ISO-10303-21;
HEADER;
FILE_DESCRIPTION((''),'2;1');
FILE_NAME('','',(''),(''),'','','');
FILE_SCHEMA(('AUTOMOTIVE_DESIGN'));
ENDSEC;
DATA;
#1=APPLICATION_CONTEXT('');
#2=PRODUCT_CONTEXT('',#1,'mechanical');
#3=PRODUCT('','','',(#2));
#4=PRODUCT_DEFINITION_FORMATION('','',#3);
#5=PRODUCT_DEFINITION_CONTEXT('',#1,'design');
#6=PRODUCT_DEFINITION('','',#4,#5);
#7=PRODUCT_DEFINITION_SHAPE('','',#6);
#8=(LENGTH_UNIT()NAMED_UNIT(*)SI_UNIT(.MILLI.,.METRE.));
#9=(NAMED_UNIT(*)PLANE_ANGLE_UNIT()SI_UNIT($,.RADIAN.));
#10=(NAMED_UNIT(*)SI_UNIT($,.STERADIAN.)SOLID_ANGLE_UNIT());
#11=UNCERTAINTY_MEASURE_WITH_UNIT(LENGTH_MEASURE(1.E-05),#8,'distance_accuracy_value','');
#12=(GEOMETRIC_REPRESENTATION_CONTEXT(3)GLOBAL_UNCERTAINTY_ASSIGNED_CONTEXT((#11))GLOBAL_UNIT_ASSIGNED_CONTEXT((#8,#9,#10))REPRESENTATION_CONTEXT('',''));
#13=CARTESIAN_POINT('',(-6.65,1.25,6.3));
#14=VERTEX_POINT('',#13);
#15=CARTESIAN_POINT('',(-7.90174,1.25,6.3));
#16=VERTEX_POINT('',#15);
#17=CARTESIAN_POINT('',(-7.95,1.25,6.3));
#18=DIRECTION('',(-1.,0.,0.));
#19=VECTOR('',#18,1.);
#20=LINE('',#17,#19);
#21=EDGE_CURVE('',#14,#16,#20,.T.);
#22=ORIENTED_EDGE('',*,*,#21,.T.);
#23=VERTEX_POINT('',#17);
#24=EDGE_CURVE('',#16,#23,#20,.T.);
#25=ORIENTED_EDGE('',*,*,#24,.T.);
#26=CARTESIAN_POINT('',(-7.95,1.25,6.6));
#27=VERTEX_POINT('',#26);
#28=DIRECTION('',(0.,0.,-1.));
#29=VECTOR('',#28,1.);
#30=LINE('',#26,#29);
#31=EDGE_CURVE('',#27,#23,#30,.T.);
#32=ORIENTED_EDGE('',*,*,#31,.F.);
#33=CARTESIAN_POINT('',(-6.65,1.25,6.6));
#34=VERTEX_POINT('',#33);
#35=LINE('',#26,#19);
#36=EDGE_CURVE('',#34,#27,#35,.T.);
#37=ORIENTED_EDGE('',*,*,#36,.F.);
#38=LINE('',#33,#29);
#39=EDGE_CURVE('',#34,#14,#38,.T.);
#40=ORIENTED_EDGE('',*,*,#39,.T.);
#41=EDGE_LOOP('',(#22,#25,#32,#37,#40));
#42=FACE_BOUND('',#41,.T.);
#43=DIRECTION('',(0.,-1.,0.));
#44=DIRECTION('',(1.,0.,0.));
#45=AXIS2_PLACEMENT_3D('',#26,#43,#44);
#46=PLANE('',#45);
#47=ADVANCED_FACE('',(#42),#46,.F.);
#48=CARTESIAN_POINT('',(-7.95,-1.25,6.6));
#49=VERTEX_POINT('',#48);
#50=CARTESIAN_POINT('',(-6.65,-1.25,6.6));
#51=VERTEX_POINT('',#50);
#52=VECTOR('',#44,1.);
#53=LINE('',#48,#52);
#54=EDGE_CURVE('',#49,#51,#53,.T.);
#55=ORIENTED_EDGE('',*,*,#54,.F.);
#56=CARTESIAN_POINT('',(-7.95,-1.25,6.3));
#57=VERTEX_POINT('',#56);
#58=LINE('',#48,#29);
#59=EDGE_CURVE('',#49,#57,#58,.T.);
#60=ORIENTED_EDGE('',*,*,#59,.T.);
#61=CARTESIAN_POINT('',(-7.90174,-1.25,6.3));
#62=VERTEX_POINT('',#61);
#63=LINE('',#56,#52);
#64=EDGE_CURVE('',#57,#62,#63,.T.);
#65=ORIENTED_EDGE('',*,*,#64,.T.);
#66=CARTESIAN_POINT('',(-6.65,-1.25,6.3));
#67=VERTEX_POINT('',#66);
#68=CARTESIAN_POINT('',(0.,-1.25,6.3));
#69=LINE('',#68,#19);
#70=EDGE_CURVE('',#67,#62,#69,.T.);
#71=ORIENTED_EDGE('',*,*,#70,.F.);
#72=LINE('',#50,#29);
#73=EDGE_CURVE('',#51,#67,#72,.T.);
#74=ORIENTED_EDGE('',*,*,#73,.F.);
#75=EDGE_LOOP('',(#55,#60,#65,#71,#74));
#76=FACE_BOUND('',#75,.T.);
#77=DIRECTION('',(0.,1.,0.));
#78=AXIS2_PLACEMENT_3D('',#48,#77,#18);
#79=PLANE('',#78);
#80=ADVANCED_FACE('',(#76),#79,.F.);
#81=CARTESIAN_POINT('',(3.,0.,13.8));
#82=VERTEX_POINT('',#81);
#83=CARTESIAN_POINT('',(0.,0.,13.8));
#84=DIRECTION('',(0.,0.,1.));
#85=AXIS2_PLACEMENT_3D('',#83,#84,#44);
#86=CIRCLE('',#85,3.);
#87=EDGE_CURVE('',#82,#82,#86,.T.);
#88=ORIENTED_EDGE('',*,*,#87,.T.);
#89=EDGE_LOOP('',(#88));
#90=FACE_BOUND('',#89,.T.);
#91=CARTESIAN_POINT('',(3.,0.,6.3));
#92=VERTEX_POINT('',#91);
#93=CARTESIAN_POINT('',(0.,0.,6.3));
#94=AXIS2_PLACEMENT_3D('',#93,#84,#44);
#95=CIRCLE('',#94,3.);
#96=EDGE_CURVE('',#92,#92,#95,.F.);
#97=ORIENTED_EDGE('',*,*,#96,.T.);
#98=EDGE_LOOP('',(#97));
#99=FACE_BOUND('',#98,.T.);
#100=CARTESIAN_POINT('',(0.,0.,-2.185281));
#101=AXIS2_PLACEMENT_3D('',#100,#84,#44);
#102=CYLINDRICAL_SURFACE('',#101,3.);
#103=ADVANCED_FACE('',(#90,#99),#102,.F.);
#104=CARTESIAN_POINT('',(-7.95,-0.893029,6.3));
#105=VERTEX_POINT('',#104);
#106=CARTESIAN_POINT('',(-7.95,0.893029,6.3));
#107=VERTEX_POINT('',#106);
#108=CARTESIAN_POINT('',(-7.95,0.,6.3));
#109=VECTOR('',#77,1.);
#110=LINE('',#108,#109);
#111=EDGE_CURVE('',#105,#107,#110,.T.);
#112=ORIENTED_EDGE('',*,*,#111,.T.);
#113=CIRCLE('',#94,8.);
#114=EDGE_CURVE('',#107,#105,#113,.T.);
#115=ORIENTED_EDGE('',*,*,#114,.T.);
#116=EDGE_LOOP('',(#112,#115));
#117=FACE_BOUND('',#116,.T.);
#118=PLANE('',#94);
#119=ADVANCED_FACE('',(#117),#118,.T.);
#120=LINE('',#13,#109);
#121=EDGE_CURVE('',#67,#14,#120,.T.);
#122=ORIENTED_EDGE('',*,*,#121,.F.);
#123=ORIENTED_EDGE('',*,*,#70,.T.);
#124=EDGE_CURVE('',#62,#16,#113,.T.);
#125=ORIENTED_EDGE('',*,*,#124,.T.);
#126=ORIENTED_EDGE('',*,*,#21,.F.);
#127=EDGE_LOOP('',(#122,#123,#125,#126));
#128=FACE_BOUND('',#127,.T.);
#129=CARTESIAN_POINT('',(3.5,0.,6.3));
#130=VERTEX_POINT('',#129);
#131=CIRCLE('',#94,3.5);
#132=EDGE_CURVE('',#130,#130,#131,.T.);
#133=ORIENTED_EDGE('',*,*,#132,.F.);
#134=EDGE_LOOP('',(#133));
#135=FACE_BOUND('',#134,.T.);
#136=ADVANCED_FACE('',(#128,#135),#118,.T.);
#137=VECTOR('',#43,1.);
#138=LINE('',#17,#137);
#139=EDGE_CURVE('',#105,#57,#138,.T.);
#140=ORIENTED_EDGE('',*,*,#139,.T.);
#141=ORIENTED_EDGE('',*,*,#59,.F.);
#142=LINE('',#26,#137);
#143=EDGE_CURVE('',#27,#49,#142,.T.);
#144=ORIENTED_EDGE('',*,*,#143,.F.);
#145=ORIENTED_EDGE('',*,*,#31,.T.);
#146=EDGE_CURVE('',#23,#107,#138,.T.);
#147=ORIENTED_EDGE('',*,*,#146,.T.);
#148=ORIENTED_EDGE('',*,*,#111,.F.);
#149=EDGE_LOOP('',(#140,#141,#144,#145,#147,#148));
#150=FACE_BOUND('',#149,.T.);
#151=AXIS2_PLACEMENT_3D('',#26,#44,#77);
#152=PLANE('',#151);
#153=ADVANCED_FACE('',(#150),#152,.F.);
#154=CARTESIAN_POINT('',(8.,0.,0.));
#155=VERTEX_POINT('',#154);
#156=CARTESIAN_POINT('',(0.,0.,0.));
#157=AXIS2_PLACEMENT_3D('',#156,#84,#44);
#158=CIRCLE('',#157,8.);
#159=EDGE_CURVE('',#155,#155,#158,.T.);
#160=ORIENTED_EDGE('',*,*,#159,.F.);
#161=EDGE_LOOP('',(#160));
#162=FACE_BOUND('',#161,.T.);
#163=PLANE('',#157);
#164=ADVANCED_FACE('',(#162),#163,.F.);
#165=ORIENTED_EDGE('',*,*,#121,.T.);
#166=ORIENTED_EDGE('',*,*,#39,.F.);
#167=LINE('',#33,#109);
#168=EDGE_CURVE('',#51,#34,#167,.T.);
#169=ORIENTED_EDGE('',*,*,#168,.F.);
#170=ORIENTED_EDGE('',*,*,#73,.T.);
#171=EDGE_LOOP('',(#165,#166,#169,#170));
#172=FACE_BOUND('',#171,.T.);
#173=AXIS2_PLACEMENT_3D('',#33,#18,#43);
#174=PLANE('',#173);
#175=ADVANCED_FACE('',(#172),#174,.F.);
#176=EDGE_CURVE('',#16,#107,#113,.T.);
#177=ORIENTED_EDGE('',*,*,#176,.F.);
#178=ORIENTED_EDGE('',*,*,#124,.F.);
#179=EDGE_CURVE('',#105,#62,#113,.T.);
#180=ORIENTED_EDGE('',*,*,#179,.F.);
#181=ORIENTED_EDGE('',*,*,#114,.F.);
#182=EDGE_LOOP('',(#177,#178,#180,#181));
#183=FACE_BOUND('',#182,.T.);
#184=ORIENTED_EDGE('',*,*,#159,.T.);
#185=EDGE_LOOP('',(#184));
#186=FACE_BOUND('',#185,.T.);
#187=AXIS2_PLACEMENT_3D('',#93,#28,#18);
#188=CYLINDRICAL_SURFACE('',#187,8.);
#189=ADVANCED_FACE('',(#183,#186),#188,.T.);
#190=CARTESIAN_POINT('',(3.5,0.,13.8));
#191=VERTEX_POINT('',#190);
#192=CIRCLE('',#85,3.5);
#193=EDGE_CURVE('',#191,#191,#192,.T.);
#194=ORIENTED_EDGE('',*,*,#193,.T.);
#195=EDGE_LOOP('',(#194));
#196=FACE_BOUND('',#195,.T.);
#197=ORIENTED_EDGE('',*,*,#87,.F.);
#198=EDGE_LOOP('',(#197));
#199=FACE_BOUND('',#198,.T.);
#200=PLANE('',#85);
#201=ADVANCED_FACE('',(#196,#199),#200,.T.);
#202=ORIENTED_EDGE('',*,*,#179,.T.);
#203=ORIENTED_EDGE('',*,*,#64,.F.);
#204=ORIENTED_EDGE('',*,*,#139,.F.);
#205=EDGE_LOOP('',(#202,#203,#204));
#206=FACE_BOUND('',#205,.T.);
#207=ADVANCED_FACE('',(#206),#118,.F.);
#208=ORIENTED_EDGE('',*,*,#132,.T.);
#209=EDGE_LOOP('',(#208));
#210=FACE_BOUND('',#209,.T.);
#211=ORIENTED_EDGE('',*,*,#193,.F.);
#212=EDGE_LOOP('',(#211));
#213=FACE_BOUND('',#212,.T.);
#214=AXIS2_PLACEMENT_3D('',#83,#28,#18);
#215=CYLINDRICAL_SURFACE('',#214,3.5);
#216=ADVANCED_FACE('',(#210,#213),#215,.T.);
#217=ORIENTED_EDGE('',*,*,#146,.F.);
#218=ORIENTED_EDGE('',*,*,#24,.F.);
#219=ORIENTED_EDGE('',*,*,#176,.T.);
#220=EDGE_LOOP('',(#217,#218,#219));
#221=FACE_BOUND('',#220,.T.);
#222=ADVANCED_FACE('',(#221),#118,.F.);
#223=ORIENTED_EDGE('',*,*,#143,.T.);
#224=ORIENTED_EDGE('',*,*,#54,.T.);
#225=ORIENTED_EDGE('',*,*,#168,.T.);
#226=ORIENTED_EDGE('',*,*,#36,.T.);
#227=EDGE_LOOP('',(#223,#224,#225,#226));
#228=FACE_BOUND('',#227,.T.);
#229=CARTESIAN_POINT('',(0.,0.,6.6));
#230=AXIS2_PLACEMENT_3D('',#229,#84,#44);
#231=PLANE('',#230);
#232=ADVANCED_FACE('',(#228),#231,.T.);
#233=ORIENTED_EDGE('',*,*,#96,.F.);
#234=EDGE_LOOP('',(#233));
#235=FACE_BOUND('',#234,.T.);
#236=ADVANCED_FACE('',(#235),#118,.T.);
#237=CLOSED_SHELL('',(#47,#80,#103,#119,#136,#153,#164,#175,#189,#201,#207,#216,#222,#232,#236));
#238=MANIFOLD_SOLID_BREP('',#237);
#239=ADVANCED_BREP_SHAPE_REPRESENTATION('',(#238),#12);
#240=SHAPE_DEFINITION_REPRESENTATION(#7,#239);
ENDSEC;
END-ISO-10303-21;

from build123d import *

# Parameters (mm, degrees)
SKETCH1_R           = 8
BOSS_EXTRUDE1_DEPTH = 6.3
SKETCH2_R           = 3.5
BOSS_EXTRUDE2_DEPTH = 7.5
SKETCH3_R           = 3
CUT_EXTRUDE1_DEPTH  = 7.5
SKETCH5_W           = 1.3
SKETCH5_H           = 2.5
BOSS_EXTRUDE3_DEPTH = 0.3


with BuildPart() as part:
    # Sketch1 → Boss-Extrude1 (new body)
    with BuildSketch(Plane.XY):
        Circle(SKETCH1_R)
    extrude(amount=BOSS_EXTRUDE1_DEPTH)

    # Sketch2 → Boss-Extrude2 (add)
    with BuildSketch(Plane.XY.offset(6.3)):
        Circle(SKETCH2_R)
    extrude(amount=BOSS_EXTRUDE2_DEPTH)

    # Sketch3 → Cut-Extrude1 (cut)
    with BuildSketch(Plane.XY.offset(13.8)):
        Circle(SKETCH3_R)
    extrude(amount=-CUT_EXTRUDE1_DEPTH, mode=Mode.SUBTRACT)

    # Sketch5 → Boss-Extrude3 (add)
    with BuildSketch(Plane.XY.offset(6.3)):
        with Locations((-7.3, 0)):
            Rectangle(SKETCH5_W, SKETCH5_H)
    extrude(amount=BOSS_EXTRUDE3_DEPTH)


solid = part.part
